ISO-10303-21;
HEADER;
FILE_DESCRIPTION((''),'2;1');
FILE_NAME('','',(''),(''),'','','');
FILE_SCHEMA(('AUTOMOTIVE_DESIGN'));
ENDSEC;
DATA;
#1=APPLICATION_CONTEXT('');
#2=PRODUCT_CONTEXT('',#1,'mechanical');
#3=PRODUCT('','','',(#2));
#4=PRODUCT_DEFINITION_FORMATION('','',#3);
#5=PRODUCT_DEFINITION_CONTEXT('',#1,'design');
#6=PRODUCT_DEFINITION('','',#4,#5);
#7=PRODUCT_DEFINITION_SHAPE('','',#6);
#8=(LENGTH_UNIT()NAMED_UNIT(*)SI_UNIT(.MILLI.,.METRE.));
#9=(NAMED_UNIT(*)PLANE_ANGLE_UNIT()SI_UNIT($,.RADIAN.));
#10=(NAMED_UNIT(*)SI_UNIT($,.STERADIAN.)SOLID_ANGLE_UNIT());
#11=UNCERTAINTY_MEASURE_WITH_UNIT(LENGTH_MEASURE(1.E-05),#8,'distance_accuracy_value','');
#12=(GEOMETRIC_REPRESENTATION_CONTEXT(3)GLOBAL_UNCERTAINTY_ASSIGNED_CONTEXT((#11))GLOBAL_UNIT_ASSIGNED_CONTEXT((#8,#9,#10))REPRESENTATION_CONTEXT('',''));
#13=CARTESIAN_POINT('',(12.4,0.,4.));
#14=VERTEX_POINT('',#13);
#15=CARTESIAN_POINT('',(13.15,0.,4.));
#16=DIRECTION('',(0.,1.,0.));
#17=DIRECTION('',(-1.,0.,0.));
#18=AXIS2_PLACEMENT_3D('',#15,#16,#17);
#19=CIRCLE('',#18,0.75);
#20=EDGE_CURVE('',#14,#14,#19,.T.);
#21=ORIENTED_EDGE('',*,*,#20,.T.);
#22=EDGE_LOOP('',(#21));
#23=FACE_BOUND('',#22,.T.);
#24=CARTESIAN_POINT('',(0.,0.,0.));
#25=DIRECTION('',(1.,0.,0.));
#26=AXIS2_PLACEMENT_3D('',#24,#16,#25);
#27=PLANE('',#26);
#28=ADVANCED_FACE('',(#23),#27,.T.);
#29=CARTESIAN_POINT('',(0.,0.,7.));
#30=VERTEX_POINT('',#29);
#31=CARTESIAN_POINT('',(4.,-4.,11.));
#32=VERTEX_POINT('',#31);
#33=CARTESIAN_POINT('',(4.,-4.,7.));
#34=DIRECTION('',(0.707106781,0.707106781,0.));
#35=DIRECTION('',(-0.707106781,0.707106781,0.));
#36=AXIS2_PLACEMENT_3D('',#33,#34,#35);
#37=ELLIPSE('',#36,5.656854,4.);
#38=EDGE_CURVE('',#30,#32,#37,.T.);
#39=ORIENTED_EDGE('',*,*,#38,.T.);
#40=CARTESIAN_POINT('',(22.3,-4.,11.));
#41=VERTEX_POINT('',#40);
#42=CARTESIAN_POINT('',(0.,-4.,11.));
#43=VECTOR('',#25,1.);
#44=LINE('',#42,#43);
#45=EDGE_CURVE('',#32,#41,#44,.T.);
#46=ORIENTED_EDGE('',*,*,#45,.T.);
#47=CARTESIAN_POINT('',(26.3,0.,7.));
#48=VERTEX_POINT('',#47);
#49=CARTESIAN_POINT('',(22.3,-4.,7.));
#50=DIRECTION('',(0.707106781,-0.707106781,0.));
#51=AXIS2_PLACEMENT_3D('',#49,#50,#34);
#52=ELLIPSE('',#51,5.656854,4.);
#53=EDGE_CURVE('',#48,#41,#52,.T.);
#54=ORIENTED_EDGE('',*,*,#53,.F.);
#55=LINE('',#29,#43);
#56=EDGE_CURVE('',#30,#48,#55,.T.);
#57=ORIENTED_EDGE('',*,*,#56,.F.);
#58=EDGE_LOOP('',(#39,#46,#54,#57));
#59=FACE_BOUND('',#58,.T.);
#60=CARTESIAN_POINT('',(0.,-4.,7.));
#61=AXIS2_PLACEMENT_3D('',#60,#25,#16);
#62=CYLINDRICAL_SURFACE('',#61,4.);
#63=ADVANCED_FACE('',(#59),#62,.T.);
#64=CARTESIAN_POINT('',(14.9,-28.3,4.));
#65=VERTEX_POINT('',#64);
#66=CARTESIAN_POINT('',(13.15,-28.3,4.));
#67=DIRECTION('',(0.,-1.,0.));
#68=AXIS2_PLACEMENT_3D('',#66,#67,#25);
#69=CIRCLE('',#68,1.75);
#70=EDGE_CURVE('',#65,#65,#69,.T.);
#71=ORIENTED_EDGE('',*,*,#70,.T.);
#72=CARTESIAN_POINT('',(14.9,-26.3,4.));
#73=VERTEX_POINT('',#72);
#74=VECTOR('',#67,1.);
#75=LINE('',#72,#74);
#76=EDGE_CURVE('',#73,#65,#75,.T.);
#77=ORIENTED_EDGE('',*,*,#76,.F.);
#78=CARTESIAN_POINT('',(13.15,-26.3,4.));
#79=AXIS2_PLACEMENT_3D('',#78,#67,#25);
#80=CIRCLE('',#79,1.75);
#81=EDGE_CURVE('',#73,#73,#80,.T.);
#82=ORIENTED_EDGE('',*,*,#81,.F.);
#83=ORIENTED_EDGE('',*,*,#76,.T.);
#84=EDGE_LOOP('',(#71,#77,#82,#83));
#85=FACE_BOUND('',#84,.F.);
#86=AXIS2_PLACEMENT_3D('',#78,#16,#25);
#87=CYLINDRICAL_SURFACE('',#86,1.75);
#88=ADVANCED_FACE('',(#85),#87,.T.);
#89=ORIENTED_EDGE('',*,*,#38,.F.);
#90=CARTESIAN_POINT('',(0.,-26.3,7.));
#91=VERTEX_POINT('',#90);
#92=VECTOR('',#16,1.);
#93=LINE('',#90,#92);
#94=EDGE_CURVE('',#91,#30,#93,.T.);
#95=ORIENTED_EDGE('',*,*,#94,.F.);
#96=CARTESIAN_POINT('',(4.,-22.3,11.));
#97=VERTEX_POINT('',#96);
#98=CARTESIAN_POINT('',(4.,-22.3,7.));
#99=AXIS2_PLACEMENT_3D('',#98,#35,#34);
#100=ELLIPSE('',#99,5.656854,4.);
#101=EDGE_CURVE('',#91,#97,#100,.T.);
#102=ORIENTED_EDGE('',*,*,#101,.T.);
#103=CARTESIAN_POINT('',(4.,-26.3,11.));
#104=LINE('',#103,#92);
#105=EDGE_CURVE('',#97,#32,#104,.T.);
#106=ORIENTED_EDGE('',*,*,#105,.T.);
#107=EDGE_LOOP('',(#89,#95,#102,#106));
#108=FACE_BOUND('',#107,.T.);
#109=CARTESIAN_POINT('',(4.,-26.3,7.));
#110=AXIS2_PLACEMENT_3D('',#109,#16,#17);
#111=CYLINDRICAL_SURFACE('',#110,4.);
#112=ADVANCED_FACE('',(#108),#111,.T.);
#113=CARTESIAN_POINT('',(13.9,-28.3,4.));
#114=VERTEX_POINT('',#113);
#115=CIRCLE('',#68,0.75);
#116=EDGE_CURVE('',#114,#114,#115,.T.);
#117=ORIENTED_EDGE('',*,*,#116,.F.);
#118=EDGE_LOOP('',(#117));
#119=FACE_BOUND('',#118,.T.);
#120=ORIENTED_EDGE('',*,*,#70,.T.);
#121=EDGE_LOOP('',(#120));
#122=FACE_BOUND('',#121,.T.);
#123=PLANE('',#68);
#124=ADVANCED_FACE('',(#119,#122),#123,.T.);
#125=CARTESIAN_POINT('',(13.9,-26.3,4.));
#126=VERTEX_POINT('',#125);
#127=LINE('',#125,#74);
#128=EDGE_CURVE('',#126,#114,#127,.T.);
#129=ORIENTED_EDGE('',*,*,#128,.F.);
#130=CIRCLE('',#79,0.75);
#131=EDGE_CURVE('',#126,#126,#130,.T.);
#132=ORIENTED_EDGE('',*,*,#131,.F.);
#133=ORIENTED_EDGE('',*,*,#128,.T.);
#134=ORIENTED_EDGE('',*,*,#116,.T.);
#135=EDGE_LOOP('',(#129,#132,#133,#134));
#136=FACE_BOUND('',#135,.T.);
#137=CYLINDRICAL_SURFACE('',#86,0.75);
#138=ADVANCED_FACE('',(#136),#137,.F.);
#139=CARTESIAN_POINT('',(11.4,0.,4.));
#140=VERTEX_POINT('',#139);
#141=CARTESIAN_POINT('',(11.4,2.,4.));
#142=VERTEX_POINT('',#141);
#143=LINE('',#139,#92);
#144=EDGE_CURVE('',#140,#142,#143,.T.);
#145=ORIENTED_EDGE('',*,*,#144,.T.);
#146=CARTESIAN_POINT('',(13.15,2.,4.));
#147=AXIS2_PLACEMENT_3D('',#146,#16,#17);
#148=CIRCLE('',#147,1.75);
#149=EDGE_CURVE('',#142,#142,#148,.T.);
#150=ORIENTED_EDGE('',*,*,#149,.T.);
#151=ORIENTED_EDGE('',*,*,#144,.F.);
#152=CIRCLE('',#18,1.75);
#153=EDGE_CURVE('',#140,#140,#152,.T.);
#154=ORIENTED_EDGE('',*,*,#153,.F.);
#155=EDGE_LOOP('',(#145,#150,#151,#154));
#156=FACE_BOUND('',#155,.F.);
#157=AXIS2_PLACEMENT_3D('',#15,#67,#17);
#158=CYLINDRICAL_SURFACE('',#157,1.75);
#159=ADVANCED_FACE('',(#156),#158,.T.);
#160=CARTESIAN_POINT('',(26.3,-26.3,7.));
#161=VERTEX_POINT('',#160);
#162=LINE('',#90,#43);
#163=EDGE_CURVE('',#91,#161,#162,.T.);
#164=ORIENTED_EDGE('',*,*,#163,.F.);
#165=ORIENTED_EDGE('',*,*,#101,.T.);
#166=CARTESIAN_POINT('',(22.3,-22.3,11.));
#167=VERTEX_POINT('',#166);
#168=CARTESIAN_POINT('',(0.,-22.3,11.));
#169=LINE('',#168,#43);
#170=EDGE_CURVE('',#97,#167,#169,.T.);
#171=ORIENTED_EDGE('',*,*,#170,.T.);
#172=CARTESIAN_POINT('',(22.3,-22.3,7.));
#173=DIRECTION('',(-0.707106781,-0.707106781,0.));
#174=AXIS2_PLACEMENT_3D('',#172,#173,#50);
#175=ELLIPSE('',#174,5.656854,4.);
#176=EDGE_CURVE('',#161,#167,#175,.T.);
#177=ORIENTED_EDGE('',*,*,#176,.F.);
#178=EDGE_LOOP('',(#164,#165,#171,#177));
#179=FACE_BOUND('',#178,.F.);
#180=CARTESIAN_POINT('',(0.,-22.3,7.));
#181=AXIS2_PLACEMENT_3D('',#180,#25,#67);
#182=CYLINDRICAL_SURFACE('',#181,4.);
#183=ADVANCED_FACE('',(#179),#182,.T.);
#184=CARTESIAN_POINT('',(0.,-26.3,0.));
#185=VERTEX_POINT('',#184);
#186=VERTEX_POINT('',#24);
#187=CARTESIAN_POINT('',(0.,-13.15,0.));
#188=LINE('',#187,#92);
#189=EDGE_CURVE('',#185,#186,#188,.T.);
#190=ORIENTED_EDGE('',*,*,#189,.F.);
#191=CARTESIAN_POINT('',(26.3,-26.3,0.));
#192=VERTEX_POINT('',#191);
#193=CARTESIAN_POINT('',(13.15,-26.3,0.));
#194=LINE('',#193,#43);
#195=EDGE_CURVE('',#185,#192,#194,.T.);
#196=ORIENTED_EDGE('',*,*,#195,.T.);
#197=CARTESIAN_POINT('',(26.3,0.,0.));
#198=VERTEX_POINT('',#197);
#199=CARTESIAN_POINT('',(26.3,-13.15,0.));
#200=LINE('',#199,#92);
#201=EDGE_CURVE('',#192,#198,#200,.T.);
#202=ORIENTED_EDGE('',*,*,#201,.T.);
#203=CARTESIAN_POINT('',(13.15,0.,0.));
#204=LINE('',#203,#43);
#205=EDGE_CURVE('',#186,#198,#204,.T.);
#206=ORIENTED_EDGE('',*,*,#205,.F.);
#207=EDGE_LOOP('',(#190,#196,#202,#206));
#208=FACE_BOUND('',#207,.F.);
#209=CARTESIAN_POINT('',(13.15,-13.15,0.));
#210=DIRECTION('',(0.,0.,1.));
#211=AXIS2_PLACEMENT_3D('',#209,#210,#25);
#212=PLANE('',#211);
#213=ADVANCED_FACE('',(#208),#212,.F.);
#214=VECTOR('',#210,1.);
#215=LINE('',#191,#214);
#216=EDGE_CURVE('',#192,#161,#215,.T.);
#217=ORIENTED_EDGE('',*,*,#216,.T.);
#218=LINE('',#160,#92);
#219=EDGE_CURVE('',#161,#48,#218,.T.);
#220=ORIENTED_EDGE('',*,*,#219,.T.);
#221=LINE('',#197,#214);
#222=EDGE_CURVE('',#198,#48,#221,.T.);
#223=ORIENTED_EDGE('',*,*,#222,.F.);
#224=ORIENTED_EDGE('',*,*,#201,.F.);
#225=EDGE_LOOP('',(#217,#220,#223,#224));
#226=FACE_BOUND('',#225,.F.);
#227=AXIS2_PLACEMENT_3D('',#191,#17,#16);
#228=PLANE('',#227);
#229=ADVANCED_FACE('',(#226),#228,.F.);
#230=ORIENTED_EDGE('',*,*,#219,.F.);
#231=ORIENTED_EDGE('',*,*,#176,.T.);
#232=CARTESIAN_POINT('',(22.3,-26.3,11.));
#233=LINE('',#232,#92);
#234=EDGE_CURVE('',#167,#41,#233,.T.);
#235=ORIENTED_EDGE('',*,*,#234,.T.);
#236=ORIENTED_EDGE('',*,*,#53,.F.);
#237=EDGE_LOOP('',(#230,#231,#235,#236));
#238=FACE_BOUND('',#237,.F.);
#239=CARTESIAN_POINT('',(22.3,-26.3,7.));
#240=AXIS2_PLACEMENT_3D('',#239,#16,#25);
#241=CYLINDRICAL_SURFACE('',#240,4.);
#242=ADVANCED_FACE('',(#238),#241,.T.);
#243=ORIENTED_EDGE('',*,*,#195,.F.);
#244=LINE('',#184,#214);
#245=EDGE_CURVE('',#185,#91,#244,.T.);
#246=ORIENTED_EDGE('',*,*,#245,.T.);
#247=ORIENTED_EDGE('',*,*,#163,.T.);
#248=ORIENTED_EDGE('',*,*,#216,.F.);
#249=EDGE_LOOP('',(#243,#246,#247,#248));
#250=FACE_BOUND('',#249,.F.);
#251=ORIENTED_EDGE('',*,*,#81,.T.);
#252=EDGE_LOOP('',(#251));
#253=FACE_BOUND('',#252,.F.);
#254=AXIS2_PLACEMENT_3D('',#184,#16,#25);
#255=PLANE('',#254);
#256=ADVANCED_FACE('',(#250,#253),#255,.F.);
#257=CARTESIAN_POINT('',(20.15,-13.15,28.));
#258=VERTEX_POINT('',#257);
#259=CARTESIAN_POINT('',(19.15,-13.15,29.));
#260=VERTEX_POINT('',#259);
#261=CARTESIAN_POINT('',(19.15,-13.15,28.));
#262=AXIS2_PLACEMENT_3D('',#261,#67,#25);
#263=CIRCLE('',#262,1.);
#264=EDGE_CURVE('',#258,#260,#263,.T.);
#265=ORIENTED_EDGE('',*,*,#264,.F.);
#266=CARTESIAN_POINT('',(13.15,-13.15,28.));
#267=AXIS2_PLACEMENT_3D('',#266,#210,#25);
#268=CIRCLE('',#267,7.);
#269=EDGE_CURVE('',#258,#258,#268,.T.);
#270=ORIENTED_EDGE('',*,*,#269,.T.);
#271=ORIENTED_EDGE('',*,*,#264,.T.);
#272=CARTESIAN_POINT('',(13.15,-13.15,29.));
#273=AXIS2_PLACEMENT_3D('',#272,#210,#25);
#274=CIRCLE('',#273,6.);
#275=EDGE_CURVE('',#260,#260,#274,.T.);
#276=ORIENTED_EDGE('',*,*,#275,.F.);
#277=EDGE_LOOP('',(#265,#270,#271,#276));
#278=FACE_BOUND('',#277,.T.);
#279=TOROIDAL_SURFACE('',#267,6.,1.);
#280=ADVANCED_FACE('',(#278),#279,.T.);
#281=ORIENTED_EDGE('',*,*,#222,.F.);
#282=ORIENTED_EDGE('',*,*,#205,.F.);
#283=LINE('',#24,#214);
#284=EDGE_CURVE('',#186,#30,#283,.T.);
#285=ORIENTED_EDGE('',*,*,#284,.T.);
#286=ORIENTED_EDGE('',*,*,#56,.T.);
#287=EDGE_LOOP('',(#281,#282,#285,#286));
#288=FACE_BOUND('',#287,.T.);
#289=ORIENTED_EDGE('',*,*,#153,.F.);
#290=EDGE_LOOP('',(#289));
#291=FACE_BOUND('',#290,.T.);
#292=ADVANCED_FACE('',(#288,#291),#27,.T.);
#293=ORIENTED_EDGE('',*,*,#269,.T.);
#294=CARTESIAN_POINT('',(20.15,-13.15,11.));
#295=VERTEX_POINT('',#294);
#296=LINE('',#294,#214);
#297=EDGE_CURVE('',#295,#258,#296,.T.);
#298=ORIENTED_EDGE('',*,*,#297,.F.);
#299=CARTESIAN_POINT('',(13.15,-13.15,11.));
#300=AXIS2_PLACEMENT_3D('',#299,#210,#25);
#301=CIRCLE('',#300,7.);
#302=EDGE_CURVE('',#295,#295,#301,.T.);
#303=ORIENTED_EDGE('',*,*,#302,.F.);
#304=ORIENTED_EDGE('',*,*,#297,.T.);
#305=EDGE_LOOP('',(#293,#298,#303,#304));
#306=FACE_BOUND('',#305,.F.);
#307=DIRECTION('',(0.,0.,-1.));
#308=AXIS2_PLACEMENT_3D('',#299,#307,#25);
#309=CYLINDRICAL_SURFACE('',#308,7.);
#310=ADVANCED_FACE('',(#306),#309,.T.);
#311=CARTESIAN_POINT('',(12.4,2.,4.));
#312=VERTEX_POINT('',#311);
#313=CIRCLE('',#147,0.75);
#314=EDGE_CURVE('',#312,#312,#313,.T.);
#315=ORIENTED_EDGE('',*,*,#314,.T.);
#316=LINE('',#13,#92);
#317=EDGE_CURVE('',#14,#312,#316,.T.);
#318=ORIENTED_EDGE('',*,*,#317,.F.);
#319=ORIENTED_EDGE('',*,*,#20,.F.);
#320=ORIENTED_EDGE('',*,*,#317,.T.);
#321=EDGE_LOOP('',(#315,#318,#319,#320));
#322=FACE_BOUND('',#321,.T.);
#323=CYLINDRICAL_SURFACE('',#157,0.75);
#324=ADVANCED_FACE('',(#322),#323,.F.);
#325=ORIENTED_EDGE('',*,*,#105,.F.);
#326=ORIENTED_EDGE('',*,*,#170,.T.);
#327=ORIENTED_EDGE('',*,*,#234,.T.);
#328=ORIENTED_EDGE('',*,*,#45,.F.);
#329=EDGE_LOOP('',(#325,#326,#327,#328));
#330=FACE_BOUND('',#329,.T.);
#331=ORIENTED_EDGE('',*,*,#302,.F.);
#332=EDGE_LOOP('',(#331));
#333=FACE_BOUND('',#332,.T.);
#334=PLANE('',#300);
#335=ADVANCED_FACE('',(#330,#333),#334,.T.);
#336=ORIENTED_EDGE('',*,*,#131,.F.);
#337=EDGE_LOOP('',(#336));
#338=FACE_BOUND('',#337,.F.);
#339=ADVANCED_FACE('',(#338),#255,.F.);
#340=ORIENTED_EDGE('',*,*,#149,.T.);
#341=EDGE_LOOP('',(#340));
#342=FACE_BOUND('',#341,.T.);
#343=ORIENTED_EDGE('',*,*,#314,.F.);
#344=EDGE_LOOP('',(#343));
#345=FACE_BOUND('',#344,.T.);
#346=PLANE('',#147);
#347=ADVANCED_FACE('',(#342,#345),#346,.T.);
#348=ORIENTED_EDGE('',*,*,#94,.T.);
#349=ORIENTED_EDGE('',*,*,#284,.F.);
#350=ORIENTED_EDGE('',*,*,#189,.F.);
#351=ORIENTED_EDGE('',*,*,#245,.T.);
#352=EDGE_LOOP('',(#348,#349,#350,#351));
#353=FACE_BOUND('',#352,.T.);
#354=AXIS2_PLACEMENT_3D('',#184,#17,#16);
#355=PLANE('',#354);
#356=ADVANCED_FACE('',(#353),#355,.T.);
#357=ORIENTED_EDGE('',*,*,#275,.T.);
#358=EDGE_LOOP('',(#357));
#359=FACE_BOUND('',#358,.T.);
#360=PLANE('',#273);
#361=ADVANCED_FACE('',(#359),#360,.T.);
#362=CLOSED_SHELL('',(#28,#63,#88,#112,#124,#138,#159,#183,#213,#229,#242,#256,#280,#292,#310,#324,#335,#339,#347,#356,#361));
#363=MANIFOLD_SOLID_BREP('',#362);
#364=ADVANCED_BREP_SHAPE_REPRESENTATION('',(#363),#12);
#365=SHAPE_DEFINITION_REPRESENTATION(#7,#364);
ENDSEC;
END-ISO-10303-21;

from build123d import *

# Parameters (mm, degrees)
F0_W     = 26.3
F0_H     = 26.3
F1_DEPTH = 11
F2_R     = 4
F3_R     = 7
F4_DEPTH = 18
F5_R     = 1.75
F5_R_2   = 0.75
F6_DEPTH = 2
F7_R     = 1.75
F7_R_2   = 0.75
F8_DEPTH = 2
F9_R     = 1


with BuildPart() as f1:
    # F0 (on Top) → F1 (new body)
    with BuildSketch(Plane.XY):
        with Locations((13.15, -13.15)):
            Rectangle(F0_W, F0_H)
    extrude(amount=F1_DEPTH)

    # F2
    f2_edges = [f1.edges().sort_by_distance(p)[0] for p in [
        (13.15, -26.3, 11),
        (0, -13.15, 11),
        (26.3, -13.15, 11),
        (13.15, 0, 11),
    ]]
    fillet(f2_edges, radius=F2_R)

    # F3 (on face) → F4 (join)
    with BuildSketch(Plane.XY.offset(11)):
        with Locations((13.15, -13.15)):
            Circle(F3_R)
    extrude(amount=F4_DEPTH)

    # F5 (on face) → F6 (join)
    with BuildSketch(Plane.XZ.offset(26.3)):
        with Locations((13.15, 4)):
            Circle(F5_R)
        with Locations((13.15, 4)):
            Circle(F5_R_2, mode=Mode.SUBTRACT)
    extrude(amount=F6_DEPTH)

    # F7 (on face) → F8 (join)
    with BuildSketch(Plane(origin=(0, 0, 0), x_dir=(-1, 0, 0), z_dir=(0, 1, 0))):
        with Locations((-13.15, 4)):
            Circle(F7_R)
        with Locations((-13.15, 4)):
            Circle(F7_R_2, mode=Mode.SUBTRACT)
    extrude(amount=F8_DEPTH)

    # F9
    f9_edges = [f1.edges().sort_by_distance(p)[0] for p in [
        (6.15, -13.15, 29),
    ]]
    fillet(f9_edges, radius=F9_R)


solid = f1.part
